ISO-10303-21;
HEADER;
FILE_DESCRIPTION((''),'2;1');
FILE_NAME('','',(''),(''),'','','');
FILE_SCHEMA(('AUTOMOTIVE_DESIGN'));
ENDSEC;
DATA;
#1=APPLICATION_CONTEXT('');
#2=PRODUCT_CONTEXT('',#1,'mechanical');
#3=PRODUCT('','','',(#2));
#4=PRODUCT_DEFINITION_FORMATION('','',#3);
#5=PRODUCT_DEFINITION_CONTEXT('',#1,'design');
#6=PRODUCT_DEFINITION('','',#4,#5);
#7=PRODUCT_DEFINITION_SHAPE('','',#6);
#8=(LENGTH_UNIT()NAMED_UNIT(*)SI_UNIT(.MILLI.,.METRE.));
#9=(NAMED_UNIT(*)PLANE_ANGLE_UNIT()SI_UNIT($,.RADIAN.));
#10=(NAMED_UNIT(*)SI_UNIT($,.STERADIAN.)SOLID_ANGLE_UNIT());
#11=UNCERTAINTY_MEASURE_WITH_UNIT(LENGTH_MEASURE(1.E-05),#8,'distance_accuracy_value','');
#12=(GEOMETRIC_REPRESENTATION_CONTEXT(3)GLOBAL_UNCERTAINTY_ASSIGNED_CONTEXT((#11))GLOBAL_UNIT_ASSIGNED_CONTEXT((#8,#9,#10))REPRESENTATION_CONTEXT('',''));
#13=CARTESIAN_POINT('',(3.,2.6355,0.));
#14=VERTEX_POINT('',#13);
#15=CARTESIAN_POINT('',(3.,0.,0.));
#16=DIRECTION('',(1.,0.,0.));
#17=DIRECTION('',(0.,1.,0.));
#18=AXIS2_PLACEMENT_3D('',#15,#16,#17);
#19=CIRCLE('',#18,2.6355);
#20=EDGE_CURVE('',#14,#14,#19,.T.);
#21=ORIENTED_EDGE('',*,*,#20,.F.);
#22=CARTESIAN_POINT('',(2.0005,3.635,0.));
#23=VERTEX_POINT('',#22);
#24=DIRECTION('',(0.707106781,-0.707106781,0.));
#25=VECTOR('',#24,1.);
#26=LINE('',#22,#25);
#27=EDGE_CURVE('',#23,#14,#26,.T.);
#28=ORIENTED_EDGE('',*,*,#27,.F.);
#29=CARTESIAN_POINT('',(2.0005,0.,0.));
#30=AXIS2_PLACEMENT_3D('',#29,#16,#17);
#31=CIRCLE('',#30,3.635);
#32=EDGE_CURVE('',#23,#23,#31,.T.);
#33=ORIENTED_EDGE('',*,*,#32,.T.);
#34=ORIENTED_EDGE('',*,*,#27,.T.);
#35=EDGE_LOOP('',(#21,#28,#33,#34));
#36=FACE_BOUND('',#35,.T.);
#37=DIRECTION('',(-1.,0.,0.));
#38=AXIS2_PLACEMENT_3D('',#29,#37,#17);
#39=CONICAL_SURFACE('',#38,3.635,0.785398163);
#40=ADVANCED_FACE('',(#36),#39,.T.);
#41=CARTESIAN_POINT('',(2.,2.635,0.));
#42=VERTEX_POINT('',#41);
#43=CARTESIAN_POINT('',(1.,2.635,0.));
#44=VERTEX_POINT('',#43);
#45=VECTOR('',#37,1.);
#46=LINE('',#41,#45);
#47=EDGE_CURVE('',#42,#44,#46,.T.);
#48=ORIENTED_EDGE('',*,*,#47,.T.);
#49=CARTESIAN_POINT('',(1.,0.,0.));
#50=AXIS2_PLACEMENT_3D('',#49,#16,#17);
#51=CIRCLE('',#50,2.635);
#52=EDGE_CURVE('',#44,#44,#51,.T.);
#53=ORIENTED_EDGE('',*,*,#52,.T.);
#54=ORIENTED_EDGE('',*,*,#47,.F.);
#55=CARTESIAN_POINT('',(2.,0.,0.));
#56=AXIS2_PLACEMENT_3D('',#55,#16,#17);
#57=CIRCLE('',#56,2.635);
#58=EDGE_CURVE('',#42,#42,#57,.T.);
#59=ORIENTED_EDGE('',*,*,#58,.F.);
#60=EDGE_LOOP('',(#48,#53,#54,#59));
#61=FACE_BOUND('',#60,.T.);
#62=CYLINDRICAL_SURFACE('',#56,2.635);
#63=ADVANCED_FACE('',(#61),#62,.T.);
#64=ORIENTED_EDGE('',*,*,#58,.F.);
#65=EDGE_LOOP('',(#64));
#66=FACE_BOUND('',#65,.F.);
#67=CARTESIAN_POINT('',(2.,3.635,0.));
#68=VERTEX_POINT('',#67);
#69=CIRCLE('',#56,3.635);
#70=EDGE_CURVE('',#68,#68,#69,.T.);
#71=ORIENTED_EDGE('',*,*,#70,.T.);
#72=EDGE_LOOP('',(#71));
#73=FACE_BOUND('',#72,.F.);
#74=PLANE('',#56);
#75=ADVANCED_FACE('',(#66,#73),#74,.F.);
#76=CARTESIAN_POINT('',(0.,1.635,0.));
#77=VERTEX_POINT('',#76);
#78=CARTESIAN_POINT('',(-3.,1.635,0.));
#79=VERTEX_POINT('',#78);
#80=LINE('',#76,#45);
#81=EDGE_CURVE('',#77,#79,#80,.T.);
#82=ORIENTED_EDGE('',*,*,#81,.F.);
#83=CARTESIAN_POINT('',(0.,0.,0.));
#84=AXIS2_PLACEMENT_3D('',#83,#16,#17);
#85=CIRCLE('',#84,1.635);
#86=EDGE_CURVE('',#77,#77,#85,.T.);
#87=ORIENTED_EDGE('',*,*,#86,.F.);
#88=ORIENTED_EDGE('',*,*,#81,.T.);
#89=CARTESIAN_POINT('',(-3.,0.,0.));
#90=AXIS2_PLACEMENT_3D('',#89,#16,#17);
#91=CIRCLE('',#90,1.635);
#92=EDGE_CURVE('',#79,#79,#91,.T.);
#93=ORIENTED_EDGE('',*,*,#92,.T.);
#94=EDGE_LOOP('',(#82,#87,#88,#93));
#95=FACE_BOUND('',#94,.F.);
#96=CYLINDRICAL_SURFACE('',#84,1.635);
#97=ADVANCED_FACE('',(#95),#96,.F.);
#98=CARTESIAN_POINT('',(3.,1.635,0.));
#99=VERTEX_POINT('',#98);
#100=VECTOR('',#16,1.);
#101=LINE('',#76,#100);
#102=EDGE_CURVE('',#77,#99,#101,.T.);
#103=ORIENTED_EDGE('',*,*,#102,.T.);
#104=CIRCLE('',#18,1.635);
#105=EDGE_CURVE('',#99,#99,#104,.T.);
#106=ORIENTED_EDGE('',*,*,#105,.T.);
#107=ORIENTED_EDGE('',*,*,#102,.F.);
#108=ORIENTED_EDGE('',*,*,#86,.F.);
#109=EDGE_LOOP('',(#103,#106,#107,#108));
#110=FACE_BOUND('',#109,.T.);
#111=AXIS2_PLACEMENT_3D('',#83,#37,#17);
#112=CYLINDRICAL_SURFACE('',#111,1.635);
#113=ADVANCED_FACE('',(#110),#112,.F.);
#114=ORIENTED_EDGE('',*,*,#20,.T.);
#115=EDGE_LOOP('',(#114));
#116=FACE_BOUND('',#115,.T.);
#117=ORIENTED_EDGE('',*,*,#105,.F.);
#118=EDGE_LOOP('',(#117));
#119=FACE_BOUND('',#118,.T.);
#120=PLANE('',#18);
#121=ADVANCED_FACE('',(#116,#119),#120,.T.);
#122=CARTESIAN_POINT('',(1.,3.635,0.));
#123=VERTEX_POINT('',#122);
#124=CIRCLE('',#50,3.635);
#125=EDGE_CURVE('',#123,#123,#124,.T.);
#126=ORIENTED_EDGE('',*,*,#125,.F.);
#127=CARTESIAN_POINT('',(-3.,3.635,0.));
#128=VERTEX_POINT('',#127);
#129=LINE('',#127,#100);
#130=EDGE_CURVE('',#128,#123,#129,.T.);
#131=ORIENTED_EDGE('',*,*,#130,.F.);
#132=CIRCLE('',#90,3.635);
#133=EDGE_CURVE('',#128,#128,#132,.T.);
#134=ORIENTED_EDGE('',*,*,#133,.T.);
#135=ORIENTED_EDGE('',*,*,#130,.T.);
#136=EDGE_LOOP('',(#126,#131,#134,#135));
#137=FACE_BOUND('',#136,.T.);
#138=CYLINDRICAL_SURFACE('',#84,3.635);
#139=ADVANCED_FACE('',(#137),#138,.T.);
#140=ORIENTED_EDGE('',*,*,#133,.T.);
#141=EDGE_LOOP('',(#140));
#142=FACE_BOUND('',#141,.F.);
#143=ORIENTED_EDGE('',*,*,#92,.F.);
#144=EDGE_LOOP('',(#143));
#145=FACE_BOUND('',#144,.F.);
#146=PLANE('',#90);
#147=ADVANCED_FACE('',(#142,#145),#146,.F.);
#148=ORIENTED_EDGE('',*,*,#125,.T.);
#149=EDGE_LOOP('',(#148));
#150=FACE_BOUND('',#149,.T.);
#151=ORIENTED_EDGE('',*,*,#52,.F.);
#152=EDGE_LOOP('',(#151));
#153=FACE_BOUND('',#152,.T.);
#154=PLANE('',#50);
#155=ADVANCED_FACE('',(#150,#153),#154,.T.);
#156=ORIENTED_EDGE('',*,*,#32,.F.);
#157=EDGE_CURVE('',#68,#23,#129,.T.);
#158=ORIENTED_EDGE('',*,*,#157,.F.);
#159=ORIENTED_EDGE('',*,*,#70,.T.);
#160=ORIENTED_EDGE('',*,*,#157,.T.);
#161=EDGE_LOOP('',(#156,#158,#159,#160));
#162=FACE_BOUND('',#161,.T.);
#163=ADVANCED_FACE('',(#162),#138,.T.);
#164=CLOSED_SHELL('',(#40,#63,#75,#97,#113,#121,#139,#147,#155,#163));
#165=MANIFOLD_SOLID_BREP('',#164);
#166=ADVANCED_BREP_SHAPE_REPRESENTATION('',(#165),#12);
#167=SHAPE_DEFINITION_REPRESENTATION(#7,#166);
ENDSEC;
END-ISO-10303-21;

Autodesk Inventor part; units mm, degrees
ref_plane "YZ Plane" through (0, 0, 0) normal (1, 0, 0) x (0, 1, 0)
ref_plane "XZ Plane" through (0, 0, 0) normal (0, 1, 0) x (-1, 0, 0)
sketch "スケッチ1" plane through (0, 0, 0) normal (1, 0, 0) x (0, 1, 0)
  circle A0 centre (0, 0) radius 3.635
  circle A1 centre (0, 0) radius 1.635
  circle A2 centre (0, 0) radius 2.635
  dimension "d0" = 3.27
  dimension "d1" = 2
  dimension "d7" = 1
extrude "押し出し1" add sketch "スケッチ1" along normal mid plane 6 contours A0 | A2
ref_plane "作業平面1" through (2, 0, 0) normal (1, 0, 0) x (0, 0, -1)
extrude "押し出し3" cut sketch "スケッチ1" against normal blind 1 from surface at 2 contours A0
chamfer "面取り3" distance 1 angle 45 1 edges at (3, -3.635, 0)
properties part number "spacer_Φ3.2_1"
